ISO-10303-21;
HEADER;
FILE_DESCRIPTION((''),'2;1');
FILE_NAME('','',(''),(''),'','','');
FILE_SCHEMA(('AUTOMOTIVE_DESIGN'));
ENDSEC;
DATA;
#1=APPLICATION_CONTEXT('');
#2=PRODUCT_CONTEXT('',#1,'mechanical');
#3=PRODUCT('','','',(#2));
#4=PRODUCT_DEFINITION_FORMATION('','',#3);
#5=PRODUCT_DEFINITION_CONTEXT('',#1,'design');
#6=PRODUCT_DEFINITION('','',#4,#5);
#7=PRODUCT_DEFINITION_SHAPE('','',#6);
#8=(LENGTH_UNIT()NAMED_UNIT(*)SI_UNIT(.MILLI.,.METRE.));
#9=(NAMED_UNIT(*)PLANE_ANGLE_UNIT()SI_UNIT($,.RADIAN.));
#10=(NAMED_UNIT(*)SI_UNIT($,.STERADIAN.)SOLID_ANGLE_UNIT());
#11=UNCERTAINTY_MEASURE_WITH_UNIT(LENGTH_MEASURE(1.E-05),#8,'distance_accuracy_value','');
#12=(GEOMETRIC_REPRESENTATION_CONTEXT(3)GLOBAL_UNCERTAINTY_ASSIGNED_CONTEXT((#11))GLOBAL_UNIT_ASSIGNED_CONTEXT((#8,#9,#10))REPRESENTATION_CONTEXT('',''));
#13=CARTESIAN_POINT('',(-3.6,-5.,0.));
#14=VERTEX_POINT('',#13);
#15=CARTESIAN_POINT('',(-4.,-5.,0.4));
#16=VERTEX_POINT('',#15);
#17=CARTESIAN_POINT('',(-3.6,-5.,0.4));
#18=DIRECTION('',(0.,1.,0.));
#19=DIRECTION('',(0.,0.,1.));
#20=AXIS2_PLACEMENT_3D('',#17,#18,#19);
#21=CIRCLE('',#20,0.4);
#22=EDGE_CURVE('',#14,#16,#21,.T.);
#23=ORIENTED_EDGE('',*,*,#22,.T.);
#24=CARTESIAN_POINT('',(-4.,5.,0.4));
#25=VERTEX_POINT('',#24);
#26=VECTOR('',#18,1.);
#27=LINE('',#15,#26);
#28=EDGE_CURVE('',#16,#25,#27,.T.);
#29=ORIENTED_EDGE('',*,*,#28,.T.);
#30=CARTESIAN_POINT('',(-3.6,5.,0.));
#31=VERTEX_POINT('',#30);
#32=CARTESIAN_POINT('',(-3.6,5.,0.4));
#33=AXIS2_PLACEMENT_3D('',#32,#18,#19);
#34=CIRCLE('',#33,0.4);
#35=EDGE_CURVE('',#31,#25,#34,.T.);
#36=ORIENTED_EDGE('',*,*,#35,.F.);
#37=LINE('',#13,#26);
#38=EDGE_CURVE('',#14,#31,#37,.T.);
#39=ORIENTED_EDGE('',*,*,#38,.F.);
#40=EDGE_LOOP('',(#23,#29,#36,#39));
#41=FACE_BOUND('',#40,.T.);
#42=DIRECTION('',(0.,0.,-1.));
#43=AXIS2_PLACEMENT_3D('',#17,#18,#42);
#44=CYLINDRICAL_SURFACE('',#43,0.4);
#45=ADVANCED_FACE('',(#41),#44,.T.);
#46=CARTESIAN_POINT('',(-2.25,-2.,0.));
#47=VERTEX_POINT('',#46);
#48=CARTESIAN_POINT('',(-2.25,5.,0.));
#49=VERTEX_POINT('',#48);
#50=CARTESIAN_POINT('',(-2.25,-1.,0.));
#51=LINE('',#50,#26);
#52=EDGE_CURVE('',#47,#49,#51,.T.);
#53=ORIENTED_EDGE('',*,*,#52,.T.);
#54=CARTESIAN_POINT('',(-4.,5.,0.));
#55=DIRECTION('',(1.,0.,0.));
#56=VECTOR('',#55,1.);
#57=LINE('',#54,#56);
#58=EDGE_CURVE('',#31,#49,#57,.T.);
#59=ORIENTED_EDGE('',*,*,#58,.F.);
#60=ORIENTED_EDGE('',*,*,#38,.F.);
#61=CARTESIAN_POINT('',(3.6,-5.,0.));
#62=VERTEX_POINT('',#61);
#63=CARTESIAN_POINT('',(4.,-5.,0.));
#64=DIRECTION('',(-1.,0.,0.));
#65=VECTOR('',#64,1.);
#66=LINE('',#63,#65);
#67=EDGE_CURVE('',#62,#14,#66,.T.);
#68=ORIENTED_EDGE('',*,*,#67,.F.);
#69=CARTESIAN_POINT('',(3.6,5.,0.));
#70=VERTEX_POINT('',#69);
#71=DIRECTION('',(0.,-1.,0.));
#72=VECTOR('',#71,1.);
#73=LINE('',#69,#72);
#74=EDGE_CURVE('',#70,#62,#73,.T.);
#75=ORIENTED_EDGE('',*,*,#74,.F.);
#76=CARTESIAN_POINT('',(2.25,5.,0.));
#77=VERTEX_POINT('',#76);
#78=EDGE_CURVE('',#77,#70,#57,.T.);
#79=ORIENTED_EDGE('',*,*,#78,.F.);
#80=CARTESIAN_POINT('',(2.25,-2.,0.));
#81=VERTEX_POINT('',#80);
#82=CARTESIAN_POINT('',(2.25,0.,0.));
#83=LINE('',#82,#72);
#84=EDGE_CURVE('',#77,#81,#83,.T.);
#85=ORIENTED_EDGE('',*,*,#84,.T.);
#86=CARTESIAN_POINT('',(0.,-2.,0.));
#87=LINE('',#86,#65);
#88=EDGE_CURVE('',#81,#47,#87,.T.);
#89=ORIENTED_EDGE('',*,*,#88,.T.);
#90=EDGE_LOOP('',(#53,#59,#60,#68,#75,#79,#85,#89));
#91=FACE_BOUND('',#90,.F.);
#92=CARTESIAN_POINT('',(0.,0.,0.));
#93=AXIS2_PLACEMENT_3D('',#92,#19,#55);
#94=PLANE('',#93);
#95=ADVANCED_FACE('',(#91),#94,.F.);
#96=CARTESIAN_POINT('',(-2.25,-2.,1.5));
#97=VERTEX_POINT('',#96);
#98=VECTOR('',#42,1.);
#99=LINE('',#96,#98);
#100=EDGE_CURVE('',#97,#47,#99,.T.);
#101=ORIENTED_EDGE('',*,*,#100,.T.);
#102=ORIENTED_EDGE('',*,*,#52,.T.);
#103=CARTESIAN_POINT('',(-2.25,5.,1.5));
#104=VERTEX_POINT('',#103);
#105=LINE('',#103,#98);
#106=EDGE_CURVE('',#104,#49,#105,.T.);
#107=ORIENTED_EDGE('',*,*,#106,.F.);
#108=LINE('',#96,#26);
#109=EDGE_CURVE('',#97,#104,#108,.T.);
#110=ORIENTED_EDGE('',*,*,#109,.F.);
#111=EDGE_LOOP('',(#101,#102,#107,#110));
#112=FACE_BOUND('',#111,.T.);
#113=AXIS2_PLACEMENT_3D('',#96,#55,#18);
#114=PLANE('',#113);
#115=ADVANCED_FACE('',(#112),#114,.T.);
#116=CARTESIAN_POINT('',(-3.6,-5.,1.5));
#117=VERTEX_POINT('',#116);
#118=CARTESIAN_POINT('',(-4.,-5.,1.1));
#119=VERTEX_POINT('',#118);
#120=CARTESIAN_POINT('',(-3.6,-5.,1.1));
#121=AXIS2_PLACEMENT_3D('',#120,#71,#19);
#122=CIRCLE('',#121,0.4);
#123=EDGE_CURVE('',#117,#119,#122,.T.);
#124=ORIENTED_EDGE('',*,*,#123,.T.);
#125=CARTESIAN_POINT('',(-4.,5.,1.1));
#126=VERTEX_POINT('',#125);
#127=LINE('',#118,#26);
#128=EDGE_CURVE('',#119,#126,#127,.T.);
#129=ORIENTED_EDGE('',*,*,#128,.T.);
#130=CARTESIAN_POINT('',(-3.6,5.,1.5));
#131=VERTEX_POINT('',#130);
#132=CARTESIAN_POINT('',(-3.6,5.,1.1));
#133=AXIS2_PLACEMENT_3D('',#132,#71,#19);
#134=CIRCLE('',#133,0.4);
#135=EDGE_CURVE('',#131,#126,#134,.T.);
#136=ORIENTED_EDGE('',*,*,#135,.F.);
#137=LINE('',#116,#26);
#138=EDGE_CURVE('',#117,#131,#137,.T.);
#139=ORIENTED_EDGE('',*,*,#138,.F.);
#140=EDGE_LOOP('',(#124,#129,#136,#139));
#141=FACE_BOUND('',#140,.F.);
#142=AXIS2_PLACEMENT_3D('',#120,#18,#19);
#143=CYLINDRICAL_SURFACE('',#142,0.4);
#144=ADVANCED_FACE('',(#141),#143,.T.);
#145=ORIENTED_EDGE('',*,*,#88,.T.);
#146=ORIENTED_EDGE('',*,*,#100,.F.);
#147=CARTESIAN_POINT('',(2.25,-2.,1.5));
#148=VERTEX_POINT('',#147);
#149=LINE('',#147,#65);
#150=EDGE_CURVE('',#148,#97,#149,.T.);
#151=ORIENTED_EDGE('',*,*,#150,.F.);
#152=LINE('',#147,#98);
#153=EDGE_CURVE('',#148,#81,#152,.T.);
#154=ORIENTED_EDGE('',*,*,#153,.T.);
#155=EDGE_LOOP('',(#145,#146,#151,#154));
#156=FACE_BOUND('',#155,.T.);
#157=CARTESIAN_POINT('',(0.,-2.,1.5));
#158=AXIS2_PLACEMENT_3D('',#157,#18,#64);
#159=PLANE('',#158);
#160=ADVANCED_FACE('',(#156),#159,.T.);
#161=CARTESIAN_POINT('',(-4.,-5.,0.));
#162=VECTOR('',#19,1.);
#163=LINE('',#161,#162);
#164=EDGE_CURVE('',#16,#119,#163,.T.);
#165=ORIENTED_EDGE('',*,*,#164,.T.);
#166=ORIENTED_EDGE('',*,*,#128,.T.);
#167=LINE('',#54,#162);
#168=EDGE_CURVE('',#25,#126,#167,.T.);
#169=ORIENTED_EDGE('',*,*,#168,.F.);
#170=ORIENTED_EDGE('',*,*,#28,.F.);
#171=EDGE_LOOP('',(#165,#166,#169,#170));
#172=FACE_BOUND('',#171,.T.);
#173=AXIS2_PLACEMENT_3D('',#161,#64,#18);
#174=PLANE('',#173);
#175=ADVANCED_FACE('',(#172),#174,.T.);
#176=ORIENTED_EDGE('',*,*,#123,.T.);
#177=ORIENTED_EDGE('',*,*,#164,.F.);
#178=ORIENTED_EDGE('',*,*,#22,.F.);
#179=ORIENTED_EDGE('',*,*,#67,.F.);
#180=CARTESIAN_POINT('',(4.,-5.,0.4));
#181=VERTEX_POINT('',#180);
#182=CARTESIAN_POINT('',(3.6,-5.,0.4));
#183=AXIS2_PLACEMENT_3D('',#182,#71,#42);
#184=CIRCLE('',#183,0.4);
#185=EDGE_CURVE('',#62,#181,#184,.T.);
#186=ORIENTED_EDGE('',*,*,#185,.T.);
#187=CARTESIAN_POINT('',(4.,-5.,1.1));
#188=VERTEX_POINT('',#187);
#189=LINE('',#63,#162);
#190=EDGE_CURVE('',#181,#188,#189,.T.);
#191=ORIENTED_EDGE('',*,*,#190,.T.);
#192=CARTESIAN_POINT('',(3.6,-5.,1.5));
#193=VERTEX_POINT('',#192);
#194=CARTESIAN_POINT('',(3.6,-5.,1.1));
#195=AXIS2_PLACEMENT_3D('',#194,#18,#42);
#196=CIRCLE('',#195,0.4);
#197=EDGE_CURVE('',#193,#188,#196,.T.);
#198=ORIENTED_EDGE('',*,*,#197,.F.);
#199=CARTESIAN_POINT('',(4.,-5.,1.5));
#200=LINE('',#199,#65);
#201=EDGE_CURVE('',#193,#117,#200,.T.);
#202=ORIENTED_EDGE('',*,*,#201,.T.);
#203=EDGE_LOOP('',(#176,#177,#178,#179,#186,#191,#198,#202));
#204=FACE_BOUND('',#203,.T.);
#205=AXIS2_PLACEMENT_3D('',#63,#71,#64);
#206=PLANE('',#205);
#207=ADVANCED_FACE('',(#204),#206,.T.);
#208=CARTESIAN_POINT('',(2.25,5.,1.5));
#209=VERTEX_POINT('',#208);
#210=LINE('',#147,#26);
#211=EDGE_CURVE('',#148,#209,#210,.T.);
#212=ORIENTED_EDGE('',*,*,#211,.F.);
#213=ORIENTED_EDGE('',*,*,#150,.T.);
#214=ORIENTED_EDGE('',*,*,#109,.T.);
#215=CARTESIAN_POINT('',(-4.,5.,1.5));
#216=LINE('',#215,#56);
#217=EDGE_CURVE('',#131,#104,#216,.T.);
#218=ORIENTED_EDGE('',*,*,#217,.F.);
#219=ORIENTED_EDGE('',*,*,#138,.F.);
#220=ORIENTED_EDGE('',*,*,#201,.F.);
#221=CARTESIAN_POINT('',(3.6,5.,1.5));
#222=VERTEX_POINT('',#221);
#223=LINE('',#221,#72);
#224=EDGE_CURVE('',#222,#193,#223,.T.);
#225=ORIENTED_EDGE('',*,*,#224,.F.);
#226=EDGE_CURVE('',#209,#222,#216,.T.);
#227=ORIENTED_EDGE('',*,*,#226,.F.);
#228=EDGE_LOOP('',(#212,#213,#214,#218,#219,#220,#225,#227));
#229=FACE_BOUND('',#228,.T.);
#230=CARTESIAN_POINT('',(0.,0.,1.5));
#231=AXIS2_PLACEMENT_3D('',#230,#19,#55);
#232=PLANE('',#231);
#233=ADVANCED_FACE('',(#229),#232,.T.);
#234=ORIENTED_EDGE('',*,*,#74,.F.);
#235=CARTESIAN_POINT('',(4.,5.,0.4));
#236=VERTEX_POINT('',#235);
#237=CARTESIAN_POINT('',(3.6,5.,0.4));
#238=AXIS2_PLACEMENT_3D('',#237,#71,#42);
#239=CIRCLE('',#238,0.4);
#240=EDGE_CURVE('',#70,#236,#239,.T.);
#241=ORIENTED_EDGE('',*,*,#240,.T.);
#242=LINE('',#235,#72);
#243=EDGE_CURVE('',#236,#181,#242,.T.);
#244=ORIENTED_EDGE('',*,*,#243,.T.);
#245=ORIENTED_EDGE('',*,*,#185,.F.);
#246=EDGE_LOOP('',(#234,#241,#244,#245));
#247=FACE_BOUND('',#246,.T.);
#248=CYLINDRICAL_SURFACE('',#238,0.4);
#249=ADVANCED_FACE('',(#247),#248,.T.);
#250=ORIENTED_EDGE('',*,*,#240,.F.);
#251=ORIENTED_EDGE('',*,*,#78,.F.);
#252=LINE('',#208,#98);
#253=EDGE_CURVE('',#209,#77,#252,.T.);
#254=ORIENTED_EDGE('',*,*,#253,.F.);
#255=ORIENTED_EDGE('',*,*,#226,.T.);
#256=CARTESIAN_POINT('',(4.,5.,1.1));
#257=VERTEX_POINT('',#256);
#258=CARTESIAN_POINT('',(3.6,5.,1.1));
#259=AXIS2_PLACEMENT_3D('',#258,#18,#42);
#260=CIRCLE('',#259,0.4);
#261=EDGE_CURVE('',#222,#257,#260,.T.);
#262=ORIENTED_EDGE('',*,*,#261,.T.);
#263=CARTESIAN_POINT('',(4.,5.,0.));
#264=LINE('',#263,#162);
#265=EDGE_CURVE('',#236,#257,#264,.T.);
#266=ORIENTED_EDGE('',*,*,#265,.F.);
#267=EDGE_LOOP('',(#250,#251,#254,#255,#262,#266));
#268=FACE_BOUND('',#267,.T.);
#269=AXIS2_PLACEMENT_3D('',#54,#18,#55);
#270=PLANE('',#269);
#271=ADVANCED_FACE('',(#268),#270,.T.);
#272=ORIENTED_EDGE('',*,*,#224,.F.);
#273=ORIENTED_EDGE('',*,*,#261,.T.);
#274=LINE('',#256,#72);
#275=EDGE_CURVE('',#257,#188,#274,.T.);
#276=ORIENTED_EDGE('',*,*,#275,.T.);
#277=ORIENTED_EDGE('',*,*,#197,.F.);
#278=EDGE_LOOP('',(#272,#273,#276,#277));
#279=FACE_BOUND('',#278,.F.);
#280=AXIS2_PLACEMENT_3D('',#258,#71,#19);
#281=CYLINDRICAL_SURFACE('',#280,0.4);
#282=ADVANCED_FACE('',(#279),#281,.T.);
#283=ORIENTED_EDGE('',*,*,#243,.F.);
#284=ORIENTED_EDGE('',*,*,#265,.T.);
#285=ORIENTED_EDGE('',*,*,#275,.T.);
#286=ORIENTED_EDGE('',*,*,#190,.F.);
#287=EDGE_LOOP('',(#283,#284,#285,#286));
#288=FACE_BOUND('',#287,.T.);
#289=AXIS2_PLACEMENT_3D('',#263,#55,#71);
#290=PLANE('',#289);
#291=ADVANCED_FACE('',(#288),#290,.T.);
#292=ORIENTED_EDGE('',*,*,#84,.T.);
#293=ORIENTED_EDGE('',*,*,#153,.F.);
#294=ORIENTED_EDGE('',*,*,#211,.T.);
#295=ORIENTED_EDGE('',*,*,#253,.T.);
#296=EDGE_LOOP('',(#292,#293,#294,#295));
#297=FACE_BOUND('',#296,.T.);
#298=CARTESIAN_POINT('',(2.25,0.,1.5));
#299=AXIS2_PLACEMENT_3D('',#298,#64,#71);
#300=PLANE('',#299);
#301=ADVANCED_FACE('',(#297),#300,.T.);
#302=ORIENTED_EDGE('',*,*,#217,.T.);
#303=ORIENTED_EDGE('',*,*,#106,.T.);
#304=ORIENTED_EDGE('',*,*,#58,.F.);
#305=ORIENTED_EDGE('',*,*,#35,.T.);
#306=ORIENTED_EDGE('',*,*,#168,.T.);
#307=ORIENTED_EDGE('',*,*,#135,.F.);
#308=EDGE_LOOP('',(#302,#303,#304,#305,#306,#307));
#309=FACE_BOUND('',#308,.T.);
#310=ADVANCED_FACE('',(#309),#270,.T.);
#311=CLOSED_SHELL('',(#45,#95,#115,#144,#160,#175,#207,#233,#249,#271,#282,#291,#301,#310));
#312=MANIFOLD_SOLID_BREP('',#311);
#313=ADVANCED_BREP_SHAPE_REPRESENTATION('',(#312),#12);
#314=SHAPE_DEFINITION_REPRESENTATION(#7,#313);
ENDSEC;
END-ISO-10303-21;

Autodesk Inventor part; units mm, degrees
ref_plane "YZ Plane" through (0, 0, 0) normal (1, 0, 0) x (0, 1, 0)
ref_plane "XZ Plane" through (0, 0, 0) normal (0, 1, 0) x (-1, 0, 0)
ref_plane "XY Plane" through (0, 0, 0) normal (0, 0, 1) x (1, 0, 0)
sketch "Sketch1" plane through (0, 0, 0) normal (0, 0, 1) x (1, 0, 0)
  line L0 (-4, 5) -> (4, 5)
  line L1 (4, 5) -> (4, -5)
  line L2 (4, -5) -> (-4, -5)
  line L3 (-4, -5) -> (-4, 5)
  line L4 (-4, 5) -> (4, -5) construction
  line L5 (4, 5) -> (-4, -5) construction
  point P0 (0, 0)
  dimension "d0" = 8
  dimension "d1" = 10
extrude "Extrusion1" add sketch "Sketch1" along normal blind 1.5
sketch "Sketch2" plane through (0, 0, 1.5) normal (0, 0, 1) x (1, 0, 0)
  line L0 (-4, -5) -> (4, -5) projected
  line L1 (4, -5) -> (4, 5) projected
  line L2 (4, 5) -> (-4, 5) projected
  line L3 (-4, 5) -> (-4, -5) projected
  line L4 (-5.6, 0) -> (5.6, 0) projected
  line L5 (0, -7) -> (0, 7) projected
  line L6 (4, 5) -> (-4, 5) projected
  line L7 (-2.25, 5) -> (2.25, 5)
  line L8 (2.25, 5) -> (2.25, -2)
  line L9 (2.25, -2) -> (-2.25, -2)
  line L10 (-2.25, -2) -> (-2.25, 5)
  point P0 (0, 0)
  dimension "d4" = 4.5
  dimension "d5" = 7
extrude "Extrusion2" cut sketch "Sketch2" against normal through all contours L9 L10 L4 L5 | L5 L4 L8 L9 | L10 L2 L5 L4 | L5 L2 L8 L4
fillet "Fillet1" radius 0.4 4 edges at (-4, 0, 1.5) (-4, 0, 0) (4, 0, 0) (4, 0, 1.5)
equation "\"BendRadius\" = Thickness"
equation "\"BendReliefWidth\" = Thickness"
equation "\"BendReliefDepth\" = 0.5 * Thickness"
equation "\"CornerReliefSize\" = 4 * Thickness"
equation "\"MinimumRemnant\" = 2 * Thickness"
equation "\"TransitionRadius\" = BendRadius"
equation "\"JacobiRadiusSize\" = BendRadius"
equation "\"GapSize\" = Thickness"
equation "\"Thickness\" = 3.048"
properties part number "_3DPrint"
